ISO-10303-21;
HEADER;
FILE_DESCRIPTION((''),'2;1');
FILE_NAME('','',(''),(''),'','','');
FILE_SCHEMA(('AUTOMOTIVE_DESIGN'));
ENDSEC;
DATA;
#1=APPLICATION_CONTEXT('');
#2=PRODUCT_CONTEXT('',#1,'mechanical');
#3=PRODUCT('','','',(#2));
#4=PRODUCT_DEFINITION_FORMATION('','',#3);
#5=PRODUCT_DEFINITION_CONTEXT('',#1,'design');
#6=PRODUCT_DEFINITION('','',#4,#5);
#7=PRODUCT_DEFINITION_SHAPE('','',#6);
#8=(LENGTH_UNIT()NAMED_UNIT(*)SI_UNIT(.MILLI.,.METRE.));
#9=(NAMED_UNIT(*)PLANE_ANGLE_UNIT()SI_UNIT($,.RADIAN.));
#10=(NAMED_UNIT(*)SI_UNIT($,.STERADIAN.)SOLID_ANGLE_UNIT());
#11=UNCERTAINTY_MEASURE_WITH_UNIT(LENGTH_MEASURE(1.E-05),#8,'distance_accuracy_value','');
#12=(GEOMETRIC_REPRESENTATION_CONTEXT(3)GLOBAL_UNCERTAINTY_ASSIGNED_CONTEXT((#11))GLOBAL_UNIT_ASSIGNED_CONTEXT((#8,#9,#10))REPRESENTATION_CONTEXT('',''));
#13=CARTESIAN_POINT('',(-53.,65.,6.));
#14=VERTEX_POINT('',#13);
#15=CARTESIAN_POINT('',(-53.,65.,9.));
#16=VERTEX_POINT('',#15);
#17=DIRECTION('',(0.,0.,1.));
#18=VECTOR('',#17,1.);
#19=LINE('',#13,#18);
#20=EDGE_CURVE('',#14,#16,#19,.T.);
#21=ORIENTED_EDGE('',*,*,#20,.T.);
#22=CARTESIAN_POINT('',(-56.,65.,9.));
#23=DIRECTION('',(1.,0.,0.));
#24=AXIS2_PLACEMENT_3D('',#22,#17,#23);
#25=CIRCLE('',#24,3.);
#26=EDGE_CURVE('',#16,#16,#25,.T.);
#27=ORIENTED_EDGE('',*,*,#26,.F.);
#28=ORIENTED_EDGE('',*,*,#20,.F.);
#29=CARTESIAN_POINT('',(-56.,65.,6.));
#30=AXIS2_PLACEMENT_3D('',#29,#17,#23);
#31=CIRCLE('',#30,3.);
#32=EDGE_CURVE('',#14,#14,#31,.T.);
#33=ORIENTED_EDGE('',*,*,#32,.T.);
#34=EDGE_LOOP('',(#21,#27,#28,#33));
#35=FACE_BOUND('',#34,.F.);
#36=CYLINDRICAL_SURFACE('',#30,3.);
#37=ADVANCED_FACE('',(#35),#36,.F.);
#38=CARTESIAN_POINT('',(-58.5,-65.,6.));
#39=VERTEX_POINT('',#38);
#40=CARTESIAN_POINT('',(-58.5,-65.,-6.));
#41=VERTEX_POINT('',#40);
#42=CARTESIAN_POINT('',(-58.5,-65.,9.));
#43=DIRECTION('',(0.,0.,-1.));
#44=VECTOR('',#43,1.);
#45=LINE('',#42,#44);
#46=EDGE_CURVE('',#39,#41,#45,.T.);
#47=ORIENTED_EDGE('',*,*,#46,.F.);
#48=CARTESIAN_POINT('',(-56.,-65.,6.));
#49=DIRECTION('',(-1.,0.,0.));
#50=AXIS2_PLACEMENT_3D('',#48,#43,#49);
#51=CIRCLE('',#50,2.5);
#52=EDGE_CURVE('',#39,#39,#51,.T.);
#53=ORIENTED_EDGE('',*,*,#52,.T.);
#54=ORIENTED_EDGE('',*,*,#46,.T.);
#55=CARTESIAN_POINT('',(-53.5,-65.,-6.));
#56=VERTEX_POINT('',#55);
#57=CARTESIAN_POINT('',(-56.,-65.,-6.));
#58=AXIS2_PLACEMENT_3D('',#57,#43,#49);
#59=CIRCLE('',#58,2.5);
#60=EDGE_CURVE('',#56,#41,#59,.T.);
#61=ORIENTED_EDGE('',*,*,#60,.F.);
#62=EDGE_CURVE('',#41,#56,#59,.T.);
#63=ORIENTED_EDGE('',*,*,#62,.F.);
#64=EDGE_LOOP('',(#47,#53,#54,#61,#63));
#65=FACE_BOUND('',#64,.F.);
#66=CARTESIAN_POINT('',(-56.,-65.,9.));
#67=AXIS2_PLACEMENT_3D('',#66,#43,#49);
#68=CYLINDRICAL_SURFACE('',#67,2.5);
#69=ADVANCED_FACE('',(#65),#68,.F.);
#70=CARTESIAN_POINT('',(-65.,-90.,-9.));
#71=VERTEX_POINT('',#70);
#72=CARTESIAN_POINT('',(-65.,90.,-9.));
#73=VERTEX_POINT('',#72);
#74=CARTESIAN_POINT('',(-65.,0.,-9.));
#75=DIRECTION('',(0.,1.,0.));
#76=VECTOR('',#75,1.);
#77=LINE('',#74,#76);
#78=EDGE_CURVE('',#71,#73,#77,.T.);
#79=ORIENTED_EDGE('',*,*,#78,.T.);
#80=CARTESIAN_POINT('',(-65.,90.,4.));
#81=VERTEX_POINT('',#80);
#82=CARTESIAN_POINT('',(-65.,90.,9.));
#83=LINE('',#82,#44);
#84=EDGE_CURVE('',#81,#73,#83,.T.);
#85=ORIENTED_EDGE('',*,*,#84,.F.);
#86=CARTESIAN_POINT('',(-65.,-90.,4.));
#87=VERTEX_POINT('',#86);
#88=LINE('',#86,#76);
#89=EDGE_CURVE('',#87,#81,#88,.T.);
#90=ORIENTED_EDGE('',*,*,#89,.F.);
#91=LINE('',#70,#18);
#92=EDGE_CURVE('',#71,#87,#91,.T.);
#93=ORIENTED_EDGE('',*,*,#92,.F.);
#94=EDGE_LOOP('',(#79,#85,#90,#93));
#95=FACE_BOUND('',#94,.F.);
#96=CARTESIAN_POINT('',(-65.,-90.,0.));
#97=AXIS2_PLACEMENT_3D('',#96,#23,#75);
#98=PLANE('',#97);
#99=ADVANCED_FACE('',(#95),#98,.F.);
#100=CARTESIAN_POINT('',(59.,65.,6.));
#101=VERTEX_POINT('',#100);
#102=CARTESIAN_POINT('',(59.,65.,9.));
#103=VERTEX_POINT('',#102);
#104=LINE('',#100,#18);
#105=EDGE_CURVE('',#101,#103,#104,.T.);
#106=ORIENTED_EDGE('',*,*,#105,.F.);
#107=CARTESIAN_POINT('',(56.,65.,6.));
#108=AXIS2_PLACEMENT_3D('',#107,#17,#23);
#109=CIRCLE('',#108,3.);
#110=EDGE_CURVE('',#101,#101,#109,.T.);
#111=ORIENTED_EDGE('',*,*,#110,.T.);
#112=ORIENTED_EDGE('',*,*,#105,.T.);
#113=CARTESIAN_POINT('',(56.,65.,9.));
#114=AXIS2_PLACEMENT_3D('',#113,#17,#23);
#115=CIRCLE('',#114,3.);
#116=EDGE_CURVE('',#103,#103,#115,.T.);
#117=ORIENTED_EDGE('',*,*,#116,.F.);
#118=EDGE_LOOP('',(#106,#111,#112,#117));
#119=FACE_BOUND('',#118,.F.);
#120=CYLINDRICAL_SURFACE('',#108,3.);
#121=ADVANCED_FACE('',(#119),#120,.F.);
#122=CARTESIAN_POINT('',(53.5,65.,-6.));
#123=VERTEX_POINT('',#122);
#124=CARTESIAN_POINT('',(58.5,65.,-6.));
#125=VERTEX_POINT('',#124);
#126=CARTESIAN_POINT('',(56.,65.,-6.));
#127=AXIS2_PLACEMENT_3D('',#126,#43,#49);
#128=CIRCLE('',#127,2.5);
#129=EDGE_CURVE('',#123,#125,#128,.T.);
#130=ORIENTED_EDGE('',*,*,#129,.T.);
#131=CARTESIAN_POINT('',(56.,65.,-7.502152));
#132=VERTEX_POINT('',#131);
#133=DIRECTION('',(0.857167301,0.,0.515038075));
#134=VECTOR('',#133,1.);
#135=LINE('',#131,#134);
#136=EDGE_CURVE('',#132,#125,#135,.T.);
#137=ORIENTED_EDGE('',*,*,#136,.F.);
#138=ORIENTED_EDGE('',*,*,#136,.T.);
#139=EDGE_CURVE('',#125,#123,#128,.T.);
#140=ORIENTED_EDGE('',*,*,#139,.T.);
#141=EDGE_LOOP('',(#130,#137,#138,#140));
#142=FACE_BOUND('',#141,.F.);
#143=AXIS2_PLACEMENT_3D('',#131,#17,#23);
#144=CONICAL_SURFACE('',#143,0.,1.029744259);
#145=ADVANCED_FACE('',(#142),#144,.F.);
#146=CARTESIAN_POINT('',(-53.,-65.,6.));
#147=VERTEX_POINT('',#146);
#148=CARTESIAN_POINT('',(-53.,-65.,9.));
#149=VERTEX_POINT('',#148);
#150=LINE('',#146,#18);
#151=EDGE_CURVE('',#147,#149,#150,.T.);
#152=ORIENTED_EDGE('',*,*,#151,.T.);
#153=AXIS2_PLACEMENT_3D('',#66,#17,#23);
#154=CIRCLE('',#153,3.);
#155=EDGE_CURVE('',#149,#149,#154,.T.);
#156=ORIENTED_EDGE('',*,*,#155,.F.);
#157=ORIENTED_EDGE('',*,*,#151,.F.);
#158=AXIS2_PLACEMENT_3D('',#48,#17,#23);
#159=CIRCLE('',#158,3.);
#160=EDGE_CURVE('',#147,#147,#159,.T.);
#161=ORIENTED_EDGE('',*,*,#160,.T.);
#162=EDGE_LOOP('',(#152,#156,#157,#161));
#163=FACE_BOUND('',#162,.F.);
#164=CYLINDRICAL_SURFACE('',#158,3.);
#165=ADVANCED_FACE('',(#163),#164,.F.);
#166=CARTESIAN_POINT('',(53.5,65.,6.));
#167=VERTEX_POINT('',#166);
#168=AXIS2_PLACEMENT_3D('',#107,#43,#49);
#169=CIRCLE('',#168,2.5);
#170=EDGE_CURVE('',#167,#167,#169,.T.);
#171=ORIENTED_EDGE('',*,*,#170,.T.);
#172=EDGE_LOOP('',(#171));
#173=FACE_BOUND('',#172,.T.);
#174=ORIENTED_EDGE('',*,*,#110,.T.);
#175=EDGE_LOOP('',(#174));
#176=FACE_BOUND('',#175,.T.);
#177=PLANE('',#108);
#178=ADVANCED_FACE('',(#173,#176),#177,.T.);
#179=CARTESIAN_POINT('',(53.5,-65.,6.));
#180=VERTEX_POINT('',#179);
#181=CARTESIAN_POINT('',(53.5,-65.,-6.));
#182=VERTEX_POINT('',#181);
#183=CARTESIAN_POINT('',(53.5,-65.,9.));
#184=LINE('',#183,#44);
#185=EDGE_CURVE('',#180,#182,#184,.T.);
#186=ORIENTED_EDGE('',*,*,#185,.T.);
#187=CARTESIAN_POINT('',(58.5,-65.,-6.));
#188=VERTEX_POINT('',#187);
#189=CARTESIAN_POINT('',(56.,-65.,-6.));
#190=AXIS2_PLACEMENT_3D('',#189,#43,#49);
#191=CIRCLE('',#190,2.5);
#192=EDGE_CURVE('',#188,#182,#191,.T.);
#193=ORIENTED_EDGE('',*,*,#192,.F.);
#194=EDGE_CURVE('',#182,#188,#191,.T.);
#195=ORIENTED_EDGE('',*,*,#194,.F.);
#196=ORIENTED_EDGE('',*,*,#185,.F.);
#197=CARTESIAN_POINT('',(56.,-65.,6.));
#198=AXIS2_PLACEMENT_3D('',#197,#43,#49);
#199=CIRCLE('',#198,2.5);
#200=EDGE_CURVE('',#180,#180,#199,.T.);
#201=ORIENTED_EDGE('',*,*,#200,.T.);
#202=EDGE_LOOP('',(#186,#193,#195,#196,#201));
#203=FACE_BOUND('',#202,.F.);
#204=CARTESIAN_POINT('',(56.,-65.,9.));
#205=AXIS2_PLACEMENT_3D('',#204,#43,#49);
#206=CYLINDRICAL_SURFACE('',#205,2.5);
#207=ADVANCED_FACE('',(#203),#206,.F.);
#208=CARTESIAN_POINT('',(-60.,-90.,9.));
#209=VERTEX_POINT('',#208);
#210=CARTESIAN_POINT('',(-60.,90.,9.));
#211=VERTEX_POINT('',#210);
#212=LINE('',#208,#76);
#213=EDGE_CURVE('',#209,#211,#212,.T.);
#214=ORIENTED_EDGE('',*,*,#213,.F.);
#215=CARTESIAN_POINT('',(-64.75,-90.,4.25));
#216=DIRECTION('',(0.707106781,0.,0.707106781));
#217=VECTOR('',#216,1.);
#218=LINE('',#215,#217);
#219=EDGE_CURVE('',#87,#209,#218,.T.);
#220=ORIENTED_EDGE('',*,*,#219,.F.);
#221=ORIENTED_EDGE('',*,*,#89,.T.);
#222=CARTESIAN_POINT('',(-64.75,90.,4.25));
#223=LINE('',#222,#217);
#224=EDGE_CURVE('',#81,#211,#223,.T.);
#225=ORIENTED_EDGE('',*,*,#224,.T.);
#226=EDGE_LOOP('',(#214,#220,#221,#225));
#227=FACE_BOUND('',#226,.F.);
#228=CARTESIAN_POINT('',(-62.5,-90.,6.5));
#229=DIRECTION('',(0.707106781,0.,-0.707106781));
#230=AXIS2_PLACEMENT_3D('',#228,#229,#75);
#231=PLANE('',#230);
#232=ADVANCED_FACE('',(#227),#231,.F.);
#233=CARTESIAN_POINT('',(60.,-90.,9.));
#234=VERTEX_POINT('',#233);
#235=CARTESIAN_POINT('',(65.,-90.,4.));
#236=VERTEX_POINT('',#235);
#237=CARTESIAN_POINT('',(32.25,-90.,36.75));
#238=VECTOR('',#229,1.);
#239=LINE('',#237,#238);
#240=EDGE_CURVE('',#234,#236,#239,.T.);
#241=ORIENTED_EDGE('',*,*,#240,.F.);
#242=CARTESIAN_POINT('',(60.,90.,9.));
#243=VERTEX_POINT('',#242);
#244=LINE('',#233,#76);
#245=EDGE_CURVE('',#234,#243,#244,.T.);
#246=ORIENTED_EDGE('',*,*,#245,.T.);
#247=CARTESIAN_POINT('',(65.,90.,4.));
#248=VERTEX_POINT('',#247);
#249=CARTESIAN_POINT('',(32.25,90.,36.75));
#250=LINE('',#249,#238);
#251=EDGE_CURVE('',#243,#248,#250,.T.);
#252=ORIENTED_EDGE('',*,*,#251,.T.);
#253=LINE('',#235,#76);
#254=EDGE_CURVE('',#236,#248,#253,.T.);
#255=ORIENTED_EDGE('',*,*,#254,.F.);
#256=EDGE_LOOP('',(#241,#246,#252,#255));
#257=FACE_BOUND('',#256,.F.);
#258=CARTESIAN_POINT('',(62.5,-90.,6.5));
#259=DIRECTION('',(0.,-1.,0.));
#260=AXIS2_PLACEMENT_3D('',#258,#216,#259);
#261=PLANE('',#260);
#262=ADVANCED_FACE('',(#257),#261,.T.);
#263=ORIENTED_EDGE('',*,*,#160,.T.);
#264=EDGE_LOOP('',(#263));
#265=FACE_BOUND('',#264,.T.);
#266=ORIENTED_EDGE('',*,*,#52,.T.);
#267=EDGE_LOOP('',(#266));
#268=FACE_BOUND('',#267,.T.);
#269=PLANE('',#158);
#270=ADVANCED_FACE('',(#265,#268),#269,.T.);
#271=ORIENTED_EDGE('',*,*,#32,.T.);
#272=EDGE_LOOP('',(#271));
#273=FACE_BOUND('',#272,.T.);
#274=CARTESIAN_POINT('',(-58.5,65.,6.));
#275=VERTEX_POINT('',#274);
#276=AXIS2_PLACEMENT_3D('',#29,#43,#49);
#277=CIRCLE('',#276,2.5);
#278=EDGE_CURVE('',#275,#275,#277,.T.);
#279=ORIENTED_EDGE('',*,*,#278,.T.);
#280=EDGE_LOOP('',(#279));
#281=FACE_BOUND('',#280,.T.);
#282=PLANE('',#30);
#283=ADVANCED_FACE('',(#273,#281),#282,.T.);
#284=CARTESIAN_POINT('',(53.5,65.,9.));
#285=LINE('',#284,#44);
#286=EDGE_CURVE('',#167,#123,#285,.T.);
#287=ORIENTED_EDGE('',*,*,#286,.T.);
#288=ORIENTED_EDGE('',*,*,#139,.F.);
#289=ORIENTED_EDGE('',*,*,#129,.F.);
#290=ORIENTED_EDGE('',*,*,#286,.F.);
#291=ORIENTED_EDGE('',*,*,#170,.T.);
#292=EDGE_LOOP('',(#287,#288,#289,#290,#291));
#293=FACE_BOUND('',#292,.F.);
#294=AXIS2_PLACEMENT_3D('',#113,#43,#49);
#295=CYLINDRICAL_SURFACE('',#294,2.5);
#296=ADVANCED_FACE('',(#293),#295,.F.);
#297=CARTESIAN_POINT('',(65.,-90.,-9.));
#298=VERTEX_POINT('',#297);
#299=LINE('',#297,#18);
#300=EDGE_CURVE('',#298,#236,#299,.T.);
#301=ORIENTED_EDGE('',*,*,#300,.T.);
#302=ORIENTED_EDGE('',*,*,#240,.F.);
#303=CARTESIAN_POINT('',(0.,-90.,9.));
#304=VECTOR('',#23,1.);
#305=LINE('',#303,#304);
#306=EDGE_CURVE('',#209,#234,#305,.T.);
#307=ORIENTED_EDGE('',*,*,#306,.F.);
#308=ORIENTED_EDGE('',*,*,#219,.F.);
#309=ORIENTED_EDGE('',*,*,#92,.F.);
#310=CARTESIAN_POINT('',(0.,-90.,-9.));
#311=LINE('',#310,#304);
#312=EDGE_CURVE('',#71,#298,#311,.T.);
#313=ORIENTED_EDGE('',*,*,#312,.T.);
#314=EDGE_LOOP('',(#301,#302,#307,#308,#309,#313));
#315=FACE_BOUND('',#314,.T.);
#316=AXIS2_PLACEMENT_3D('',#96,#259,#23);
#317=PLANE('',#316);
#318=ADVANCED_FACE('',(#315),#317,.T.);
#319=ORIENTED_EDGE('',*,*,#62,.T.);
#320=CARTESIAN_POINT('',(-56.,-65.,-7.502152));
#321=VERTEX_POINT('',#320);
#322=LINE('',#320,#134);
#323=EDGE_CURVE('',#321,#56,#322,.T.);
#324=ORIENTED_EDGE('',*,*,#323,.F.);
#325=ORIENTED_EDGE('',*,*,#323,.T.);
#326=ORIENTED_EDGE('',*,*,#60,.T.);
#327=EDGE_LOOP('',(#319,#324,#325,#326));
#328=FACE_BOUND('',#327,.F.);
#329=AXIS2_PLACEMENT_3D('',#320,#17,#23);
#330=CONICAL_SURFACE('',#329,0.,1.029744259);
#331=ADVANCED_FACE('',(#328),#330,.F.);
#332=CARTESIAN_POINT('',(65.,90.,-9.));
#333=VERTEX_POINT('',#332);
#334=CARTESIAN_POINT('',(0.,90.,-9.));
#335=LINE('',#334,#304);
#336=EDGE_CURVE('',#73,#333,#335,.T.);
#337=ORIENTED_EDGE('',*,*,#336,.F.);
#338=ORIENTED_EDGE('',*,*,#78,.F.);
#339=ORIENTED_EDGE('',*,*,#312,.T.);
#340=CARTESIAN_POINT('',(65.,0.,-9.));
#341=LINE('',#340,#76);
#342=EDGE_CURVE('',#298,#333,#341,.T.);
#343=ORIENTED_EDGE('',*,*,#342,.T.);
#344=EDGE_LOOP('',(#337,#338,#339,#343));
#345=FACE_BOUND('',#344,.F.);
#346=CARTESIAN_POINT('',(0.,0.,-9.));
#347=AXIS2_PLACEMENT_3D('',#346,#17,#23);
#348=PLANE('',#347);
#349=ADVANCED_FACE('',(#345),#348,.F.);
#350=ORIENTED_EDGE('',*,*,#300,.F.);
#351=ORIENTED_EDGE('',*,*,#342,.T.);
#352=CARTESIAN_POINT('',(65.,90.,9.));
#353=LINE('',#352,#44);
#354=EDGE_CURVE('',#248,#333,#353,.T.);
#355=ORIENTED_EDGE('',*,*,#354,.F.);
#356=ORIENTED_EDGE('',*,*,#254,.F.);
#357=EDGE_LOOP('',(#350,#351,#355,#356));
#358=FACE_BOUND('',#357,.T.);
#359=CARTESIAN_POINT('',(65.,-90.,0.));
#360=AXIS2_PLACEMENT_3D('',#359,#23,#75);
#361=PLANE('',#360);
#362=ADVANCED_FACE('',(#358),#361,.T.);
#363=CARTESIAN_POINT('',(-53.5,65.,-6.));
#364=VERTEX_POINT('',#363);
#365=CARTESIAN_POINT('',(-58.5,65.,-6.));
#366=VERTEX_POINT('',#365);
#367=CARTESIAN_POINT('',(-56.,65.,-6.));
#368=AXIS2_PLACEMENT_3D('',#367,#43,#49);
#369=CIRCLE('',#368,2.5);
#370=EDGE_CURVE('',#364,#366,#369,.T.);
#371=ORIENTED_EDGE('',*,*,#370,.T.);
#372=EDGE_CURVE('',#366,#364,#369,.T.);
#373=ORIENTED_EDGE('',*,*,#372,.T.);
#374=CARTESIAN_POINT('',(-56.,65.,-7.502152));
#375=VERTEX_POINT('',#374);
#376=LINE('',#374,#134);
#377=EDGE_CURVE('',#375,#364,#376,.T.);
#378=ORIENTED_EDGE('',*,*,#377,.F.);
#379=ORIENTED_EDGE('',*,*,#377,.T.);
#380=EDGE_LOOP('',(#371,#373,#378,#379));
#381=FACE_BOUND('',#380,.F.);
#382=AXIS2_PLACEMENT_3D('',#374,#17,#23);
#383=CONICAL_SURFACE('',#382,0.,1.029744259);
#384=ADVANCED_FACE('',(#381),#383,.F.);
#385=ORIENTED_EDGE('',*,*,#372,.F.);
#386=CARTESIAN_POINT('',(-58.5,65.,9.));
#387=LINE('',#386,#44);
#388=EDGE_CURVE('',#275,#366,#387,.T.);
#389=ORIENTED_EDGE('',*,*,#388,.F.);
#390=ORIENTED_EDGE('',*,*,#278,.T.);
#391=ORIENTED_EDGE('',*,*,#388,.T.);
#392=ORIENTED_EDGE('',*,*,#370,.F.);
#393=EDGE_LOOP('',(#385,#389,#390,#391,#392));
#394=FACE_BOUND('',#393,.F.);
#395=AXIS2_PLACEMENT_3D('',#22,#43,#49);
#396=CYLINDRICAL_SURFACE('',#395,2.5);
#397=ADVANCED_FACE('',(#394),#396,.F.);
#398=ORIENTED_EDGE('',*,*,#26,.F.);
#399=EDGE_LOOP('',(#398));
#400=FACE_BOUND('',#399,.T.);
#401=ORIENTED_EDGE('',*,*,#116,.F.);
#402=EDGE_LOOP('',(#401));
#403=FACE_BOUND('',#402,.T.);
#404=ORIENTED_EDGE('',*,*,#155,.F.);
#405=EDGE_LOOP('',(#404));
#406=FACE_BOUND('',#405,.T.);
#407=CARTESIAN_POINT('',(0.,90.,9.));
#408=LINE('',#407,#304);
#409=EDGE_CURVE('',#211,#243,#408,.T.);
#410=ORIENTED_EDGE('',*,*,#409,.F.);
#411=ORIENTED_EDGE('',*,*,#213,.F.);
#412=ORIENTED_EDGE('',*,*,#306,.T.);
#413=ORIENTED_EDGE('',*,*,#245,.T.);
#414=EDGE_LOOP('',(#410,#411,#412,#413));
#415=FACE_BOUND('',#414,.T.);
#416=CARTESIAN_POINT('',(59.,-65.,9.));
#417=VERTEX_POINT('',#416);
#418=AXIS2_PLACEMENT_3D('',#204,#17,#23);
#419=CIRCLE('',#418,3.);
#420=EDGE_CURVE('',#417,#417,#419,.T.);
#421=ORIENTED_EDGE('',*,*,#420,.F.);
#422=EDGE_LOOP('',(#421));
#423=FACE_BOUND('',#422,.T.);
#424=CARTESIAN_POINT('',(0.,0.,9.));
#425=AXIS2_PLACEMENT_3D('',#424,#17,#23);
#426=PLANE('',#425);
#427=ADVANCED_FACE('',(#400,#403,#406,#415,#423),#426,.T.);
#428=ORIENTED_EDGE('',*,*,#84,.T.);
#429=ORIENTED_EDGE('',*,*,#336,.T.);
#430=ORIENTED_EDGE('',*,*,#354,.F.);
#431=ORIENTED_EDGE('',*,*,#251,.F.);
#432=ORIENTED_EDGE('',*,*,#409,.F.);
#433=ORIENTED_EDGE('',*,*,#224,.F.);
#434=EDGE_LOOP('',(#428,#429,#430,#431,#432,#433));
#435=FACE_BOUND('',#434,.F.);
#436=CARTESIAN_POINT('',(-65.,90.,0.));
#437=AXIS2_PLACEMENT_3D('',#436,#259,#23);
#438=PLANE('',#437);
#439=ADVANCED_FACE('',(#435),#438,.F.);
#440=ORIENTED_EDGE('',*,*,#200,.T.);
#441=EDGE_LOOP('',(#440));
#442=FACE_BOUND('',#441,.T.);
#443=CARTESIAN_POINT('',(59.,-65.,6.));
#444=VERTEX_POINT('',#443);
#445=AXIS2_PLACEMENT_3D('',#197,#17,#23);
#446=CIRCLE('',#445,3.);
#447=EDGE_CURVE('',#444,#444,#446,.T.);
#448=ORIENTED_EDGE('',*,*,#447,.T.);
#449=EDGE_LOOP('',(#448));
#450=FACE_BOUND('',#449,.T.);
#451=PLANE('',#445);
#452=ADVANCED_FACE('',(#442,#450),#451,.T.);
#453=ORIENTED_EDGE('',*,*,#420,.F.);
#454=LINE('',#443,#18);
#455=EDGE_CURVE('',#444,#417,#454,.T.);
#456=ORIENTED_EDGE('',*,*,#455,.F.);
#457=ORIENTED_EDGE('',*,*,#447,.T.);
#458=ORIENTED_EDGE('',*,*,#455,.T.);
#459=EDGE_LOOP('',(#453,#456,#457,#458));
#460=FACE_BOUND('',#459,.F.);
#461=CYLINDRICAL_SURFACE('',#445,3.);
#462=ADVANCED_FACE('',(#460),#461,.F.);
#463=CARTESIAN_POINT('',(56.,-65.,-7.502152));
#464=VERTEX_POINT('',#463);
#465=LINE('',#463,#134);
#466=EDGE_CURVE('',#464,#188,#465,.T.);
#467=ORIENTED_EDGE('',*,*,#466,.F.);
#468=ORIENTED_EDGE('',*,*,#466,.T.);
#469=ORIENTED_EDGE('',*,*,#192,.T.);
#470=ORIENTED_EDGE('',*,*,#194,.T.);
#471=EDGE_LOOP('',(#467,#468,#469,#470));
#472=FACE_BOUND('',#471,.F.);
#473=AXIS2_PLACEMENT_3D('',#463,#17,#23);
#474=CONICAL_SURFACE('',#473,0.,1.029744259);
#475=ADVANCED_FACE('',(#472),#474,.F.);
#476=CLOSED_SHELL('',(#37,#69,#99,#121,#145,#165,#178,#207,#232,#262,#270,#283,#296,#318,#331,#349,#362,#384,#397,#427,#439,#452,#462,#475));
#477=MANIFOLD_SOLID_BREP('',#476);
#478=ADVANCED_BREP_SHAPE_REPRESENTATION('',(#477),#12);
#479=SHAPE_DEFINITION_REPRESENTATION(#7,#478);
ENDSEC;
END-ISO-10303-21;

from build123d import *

# Parameters (mm, degrees)
F0_W           = 130
F0_H           = 180
F1_DEPTH       = 9
F3_D           = 5
F3_DEPTH       = 15
F3_CBORE_D     = 6
F3_CBORE_DEPTH = 3
F3_TIP         = 1.5021515476
F4_SIZE        = 5


with BuildPart() as f1:
    # F0 (on Top) → F1 (new body, symmetric)
    with BuildSketch(Plane.XY):
        Rectangle(F0_W, F0_H)
    extrude(amount=F1_DEPTH, both=True)

    # F3
    with Locations(Plane.XY.offset(9)):
        with Locations((-56, 65), (56, 65), (56, -65), (-56, -65)):
            CounterBoreHole(F3_D / 2, F3_CBORE_D / 2, F3_CBORE_DEPTH, depth=F3_DEPTH)
            with Locations((0, 0, -(F3_DEPTH + F3_TIP / 2))):  # 118° drill point
                Cone(0, F3_D / 2, F3_TIP, mode=Mode.SUBTRACT)

    # F4
    f4_edges = [f1.edges().sort_by_distance(p)[0] for p in [
        (-65, 0, 9),
        (65, 0, 9),
    ]]
    chamfer(f4_edges, length=F4_SIZE)


solid = f1.part
